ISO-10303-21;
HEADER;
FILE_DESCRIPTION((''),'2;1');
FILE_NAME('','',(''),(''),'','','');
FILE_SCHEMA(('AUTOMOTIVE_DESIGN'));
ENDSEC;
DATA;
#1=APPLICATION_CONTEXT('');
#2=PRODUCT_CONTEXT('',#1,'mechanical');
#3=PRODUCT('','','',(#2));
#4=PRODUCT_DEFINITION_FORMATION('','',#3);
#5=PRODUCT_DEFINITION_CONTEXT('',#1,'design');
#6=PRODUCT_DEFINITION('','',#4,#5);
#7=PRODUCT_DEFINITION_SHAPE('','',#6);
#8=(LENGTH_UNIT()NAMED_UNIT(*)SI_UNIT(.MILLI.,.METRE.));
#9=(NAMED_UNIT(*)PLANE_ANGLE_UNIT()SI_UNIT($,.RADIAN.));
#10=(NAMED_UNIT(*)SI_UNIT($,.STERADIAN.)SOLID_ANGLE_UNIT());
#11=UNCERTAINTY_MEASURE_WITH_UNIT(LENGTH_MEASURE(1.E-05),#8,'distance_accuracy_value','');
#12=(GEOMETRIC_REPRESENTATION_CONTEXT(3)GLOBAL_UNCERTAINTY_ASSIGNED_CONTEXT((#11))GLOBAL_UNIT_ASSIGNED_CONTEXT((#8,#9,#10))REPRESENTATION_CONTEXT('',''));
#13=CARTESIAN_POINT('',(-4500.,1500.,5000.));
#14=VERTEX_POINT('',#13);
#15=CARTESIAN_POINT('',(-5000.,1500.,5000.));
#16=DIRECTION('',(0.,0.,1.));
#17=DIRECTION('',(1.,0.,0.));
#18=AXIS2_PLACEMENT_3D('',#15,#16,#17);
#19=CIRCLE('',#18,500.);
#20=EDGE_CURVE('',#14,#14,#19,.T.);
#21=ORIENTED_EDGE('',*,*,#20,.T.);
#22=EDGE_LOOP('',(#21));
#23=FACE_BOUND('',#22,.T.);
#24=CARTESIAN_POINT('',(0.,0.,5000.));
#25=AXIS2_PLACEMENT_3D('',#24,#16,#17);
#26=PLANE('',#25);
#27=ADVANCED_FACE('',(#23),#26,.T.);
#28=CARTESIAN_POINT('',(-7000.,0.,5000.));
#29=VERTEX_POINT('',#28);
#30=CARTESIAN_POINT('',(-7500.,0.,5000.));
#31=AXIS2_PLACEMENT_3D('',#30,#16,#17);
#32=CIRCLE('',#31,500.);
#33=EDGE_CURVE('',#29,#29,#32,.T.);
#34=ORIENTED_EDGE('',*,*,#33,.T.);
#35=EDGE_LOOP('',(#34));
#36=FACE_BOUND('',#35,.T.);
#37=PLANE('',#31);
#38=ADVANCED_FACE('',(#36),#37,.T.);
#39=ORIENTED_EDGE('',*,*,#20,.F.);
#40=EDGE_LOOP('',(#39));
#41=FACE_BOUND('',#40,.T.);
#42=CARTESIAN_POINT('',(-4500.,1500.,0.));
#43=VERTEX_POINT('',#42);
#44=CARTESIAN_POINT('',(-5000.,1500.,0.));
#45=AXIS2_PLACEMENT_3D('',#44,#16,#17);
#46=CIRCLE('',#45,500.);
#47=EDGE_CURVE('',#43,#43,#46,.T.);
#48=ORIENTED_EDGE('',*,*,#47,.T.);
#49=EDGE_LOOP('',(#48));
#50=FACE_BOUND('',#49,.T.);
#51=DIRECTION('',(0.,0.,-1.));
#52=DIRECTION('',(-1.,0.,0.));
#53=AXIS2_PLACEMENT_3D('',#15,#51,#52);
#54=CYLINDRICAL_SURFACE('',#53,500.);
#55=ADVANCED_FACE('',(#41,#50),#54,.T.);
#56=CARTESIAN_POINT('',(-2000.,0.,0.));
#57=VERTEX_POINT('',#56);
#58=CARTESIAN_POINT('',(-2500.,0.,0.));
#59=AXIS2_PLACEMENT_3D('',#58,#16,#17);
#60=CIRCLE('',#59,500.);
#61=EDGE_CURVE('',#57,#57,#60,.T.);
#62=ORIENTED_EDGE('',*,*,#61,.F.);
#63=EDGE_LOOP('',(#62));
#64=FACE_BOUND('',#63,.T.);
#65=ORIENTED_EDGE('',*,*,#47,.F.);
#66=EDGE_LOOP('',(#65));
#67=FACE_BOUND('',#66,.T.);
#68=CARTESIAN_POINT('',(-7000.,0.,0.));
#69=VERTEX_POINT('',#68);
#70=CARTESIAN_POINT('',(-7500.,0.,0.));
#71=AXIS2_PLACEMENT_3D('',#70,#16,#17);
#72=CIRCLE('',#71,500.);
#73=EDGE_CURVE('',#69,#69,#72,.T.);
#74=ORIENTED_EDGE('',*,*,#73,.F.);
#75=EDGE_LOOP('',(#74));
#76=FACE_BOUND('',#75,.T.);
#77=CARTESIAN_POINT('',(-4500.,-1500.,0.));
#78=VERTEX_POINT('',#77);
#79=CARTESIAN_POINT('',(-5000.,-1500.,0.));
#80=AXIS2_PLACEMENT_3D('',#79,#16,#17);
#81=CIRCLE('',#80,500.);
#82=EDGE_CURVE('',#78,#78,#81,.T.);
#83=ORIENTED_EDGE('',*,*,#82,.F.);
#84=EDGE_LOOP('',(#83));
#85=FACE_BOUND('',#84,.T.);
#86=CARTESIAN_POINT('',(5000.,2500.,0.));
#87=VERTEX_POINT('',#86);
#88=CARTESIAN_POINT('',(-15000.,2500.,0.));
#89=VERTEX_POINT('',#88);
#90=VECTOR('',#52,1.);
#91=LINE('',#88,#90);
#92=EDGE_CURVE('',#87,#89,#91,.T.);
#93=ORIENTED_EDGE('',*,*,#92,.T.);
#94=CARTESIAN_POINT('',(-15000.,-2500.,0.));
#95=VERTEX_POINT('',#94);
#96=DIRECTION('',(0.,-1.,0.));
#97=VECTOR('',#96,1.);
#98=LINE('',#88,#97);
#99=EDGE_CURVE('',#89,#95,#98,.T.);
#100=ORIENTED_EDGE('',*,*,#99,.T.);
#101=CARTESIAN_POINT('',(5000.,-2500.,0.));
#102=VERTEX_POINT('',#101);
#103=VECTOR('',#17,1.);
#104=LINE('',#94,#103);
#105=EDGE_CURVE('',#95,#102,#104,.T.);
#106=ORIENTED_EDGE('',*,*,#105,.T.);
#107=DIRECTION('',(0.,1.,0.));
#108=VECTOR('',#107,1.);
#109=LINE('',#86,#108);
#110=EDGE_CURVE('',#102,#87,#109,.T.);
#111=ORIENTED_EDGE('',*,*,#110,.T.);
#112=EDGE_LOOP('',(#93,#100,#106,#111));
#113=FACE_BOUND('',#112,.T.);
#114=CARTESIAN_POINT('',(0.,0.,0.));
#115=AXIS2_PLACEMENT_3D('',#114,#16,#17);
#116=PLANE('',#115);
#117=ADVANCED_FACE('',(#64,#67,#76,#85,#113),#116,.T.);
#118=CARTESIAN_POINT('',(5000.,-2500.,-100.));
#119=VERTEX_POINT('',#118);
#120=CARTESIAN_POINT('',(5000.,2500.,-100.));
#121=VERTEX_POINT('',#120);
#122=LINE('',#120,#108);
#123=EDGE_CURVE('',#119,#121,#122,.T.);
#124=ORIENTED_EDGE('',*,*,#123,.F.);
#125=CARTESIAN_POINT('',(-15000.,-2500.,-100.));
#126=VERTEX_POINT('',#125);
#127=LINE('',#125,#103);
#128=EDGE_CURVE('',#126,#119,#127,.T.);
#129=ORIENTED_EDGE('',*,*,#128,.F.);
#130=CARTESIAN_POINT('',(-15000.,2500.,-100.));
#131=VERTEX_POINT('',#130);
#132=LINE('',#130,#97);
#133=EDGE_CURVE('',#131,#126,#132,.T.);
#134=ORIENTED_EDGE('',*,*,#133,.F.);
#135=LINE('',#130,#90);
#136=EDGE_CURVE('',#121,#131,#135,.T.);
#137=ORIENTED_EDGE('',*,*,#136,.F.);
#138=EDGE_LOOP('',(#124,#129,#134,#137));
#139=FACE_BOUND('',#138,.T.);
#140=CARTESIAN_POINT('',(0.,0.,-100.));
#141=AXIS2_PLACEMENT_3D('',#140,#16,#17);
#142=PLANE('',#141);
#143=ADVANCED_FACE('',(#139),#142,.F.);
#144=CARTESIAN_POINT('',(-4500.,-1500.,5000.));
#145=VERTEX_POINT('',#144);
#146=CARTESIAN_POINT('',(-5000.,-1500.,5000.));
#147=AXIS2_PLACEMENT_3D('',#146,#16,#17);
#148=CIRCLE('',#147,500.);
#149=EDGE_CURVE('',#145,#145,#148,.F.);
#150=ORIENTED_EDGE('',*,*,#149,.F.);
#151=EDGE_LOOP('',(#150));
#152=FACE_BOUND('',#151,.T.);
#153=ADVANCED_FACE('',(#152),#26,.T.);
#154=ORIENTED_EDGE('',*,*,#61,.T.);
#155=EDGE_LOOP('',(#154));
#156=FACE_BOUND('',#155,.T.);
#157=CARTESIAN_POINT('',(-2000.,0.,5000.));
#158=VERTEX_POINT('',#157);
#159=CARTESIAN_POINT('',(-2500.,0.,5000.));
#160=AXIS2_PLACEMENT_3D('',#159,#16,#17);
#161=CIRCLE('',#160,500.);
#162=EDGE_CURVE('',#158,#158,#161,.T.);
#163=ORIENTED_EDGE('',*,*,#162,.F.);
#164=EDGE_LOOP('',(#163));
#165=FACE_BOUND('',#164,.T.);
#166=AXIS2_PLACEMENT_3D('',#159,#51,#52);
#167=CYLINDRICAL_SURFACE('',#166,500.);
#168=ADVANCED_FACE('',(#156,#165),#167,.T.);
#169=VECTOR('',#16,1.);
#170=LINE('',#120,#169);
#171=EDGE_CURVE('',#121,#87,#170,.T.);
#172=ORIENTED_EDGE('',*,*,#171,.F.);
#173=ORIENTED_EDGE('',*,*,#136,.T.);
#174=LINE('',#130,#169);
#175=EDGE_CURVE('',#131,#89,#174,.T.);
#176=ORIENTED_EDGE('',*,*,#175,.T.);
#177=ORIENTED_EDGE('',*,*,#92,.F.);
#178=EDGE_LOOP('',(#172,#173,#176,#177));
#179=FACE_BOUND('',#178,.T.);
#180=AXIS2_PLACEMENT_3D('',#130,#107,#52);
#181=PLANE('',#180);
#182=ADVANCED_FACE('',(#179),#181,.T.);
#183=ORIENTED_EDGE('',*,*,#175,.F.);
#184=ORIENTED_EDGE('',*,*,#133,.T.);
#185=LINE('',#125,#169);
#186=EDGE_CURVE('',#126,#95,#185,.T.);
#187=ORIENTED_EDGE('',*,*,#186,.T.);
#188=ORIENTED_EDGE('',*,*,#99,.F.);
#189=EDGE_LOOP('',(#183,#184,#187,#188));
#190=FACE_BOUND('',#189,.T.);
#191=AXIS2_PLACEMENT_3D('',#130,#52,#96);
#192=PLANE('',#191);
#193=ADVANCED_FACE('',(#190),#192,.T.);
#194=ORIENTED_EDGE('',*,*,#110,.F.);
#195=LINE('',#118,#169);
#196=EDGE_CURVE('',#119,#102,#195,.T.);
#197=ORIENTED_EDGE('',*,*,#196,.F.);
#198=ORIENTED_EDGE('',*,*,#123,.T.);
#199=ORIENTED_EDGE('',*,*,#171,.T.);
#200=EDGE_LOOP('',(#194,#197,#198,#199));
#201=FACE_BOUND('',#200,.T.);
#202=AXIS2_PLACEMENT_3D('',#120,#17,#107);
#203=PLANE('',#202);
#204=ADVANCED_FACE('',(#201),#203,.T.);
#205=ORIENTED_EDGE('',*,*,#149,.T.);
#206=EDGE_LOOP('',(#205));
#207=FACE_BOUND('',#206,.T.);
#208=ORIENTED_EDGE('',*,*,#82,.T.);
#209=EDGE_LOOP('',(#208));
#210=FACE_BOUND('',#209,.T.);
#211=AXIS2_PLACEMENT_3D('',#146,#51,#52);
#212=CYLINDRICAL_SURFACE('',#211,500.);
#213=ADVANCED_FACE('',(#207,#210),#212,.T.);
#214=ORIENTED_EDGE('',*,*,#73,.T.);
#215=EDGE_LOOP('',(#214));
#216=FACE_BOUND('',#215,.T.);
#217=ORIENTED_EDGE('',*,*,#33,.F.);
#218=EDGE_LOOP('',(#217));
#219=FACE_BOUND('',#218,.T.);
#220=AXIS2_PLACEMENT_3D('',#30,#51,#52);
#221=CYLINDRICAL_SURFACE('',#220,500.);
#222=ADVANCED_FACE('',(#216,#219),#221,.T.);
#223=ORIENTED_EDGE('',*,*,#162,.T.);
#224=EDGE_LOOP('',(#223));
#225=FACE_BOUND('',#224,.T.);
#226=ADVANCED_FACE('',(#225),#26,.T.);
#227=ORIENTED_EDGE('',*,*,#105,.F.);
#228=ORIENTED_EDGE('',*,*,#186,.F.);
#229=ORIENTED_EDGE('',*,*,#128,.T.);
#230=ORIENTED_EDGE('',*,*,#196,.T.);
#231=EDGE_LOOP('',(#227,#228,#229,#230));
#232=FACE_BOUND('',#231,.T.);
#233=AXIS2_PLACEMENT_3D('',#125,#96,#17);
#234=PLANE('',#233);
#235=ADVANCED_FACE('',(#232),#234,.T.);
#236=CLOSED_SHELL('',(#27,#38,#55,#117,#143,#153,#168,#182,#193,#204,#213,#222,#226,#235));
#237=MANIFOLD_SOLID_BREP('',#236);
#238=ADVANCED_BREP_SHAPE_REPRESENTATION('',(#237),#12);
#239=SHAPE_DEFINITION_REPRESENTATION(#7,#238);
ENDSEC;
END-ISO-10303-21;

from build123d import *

# Parameters (mm, degrees)
SKETCH1_W           = 20000
SKETCH1_H           = 5000
BOSS_EXTRUDE1_DEPTH = 100
SKETCH3_R           = 500
BOSS_EXTRUDE2_DEPTH = 5000


with BuildPart() as part:
    # Sketch1 → Boss-Extrude1 (new body)
    with BuildSketch(Plane.XY):
        with Locations((-5000, 0)):
            Rectangle(SKETCH1_W, SKETCH1_H)
    extrude(amount=-BOSS_EXTRUDE1_DEPTH)

    # Sketch3 → Boss-Extrude2 (add)
    with BuildSketch(Plane.XY):
        with Locations((-5000, 1500)):
            Circle(SKETCH3_R)
        with BuildLine():
            ThreePointArc((-2000, 0), (-2500, 500), (-3000, 0))
            Line((-3000, 0), (-2000, 0))
        make_face()
        with BuildLine():
            Line((-2000, 0), (-3000, 0))
            ThreePointArc((-3000, 0), (-2500, -500), (-2000, 0))
        make_face()
        with Locations((-5000, -1500)):
            Circle(SKETCH3_R)
        with Locations((-7500, 0)):
            Circle(SKETCH3_R)
    extrude(amount=BOSS_EXTRUDE2_DEPTH)


solid = part.part
